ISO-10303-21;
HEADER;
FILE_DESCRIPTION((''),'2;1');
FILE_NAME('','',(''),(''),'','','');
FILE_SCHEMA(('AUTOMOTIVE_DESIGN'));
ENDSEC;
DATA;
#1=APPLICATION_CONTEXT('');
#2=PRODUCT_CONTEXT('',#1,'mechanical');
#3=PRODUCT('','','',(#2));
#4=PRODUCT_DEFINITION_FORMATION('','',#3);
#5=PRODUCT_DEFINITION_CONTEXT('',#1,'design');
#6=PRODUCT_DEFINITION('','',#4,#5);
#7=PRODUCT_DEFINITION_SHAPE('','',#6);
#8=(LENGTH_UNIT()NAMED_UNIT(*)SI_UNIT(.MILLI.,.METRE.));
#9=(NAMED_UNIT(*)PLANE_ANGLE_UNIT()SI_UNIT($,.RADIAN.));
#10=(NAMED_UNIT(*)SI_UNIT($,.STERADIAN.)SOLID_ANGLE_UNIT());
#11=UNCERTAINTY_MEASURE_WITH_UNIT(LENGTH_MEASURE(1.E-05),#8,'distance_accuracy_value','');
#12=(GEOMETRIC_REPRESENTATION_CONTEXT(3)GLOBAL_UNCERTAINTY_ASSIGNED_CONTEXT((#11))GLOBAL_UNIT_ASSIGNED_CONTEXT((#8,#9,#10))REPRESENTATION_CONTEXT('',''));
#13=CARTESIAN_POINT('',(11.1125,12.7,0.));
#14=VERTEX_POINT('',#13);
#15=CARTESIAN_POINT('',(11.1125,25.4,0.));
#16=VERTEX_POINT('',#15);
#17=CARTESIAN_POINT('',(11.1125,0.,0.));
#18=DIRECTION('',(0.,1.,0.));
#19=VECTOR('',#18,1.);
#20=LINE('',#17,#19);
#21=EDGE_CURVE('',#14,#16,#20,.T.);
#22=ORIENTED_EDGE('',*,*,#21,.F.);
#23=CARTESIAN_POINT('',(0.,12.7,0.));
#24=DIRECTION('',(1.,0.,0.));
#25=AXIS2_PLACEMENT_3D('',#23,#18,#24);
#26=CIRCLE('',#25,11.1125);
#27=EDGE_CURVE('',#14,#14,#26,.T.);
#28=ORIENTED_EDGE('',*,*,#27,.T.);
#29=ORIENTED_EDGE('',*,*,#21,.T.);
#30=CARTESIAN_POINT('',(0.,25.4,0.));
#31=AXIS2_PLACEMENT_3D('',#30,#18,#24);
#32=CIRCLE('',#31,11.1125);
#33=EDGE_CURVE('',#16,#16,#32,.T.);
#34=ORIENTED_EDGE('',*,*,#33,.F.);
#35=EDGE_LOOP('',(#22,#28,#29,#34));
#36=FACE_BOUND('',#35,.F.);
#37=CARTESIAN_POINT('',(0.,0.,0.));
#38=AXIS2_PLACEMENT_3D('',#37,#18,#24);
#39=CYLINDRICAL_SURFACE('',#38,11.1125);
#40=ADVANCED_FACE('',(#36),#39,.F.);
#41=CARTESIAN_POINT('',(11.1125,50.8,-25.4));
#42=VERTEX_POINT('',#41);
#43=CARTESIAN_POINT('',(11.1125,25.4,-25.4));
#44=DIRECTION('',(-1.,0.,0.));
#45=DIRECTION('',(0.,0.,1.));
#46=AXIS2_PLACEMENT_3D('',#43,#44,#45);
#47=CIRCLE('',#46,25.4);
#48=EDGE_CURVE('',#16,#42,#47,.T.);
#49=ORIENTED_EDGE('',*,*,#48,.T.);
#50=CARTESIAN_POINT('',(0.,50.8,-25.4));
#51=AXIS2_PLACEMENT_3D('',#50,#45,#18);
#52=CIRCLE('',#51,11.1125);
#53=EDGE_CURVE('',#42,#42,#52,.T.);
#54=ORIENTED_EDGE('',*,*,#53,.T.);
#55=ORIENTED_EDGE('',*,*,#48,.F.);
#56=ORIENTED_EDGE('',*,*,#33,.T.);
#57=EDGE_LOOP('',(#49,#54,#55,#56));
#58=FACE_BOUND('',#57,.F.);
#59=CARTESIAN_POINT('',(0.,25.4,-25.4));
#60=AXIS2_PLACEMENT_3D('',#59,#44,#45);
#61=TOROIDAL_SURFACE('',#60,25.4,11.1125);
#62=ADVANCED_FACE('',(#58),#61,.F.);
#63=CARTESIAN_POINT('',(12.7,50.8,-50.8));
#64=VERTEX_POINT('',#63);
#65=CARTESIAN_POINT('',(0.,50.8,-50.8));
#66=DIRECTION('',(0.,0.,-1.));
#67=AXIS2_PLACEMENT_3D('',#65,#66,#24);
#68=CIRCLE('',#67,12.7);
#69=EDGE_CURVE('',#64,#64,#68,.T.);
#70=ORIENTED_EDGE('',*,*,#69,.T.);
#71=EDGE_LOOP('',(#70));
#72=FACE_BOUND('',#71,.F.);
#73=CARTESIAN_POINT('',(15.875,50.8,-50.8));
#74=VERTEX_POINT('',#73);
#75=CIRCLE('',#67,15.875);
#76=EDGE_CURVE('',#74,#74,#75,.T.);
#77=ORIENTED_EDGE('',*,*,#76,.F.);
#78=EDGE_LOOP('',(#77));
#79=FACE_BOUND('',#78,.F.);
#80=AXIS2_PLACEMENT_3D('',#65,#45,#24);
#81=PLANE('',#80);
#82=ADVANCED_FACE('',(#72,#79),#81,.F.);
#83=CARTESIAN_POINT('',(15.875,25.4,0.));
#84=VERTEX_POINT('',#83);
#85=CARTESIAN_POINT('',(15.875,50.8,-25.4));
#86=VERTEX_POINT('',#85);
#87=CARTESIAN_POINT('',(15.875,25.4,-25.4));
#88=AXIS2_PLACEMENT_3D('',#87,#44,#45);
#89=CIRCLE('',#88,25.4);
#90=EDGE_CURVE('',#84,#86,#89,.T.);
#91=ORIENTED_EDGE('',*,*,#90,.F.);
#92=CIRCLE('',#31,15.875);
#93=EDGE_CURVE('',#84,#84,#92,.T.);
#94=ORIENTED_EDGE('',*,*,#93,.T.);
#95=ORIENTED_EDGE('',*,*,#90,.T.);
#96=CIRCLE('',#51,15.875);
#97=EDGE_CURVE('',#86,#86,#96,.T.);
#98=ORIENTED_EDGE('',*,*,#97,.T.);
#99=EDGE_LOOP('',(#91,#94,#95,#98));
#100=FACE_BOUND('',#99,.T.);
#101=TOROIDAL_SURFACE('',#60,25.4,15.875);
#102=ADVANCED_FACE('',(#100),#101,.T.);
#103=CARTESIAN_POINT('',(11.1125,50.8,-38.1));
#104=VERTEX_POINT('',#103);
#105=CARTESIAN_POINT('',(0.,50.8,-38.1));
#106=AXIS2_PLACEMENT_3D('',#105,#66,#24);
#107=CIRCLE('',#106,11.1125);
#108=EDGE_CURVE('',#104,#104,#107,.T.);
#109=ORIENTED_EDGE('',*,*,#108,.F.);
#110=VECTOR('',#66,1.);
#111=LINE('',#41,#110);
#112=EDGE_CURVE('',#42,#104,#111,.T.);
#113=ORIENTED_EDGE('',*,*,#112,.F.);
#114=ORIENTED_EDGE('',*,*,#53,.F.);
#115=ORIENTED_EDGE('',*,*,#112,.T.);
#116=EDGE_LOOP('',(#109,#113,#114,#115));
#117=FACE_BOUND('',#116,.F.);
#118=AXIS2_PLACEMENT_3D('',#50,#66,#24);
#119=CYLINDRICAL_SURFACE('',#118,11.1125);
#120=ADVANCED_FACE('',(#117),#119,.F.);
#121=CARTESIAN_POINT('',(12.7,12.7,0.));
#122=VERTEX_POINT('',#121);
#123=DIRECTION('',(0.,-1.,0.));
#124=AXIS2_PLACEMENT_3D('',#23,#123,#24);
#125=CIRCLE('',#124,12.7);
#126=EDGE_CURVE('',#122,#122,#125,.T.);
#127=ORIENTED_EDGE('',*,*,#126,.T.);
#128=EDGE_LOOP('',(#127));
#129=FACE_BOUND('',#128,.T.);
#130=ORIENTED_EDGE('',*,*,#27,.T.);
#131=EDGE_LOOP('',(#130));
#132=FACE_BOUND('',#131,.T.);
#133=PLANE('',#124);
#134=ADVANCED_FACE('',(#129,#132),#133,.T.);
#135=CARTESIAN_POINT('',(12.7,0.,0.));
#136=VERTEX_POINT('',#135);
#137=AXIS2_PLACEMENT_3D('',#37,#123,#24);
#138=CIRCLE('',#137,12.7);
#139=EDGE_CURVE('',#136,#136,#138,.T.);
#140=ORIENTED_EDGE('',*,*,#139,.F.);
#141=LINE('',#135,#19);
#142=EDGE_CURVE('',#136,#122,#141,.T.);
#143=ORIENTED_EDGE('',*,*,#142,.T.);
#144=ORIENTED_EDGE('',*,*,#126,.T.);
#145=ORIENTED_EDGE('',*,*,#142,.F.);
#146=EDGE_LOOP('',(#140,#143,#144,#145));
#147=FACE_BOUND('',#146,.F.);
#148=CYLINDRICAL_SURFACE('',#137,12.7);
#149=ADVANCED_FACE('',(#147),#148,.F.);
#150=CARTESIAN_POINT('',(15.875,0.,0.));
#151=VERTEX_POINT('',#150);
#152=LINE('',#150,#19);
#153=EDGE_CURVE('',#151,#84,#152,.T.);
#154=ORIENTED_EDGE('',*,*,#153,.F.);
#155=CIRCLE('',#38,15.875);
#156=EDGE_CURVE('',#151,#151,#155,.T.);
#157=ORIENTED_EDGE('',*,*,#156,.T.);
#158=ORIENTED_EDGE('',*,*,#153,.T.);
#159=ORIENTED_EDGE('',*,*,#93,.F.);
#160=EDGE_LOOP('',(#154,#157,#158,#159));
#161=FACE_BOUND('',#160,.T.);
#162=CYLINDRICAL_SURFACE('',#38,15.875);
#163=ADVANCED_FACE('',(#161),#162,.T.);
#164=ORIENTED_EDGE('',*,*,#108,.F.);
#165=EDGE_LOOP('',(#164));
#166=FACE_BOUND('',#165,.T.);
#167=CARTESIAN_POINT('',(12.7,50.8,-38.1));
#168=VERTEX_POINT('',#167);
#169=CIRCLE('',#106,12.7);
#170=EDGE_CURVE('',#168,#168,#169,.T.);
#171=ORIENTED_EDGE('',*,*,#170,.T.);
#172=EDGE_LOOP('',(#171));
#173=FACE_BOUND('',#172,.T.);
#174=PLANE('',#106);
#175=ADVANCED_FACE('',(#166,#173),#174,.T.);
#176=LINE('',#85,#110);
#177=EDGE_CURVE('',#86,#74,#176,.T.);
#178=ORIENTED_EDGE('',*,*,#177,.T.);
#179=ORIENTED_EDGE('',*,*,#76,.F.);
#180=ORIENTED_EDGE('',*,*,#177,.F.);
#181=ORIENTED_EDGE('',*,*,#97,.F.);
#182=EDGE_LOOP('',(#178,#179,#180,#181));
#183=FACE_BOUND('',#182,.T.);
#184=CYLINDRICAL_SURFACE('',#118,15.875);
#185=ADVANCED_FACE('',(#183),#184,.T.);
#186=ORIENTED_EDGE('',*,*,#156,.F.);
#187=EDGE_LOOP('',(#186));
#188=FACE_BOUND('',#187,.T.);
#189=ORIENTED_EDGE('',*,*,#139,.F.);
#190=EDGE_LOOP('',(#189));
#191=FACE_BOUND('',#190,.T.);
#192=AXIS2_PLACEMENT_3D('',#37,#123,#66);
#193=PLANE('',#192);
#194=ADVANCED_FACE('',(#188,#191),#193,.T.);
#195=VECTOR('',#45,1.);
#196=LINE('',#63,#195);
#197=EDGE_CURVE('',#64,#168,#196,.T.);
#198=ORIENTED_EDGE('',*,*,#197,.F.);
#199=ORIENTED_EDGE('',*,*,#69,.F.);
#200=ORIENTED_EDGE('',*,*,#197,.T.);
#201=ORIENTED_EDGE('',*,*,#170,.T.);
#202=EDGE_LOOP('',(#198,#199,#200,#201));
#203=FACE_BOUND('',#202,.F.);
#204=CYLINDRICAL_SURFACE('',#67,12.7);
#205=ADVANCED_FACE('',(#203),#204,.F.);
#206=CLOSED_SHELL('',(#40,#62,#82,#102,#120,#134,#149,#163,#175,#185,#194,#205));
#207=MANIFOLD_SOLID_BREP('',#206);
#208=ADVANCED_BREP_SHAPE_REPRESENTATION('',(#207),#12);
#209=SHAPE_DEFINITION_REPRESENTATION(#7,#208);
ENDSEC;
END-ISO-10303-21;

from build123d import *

# Parameters (mm, degrees)
F0_R     = 15.875
F0_R_2   = 11.1125
F3_R     = 12.7
F4_DEPTH = 12.7
F5_R     = 12.7
F6_DEPTH = 12.7


with BuildPart() as f2:
    # F2: sweep along a path in F1
    with BuildLine(Plane.YZ) as f2_path:
        Line((0, 0), (25.4, 0))
        ThreePointArc((25.4, 0), (43.3605122421, -7.4394877579), (50.8, -25.4))
        Line((50.8, -25.4), (50.8, -50.8))
    # F0 (on Front) → F2 (sweep)
    with BuildSketch(Plane.XZ):
        Circle(F0_R)
        Circle(F0_R_2, mode=Mode.SUBTRACT)
    sweep(path=f2_path.line)

    # F3 (on face) → F4 (cut)
    with BuildSketch(Plane.XZ):
        Circle(F3_R)
    extrude(amount=-F4_DEPTH, mode=Mode.SUBTRACT)

    # F5 (on face) → F6 (cut)
    with BuildSketch(Plane(origin=(0, 0, -50.8), x_dir=(1, 0, 0), z_dir=(0, 0, -1))):
        with Locations((0, -50.8)):
            Circle(F5_R)
    extrude(amount=-F6_DEPTH, mode=Mode.SUBTRACT)


solid = f2.part
